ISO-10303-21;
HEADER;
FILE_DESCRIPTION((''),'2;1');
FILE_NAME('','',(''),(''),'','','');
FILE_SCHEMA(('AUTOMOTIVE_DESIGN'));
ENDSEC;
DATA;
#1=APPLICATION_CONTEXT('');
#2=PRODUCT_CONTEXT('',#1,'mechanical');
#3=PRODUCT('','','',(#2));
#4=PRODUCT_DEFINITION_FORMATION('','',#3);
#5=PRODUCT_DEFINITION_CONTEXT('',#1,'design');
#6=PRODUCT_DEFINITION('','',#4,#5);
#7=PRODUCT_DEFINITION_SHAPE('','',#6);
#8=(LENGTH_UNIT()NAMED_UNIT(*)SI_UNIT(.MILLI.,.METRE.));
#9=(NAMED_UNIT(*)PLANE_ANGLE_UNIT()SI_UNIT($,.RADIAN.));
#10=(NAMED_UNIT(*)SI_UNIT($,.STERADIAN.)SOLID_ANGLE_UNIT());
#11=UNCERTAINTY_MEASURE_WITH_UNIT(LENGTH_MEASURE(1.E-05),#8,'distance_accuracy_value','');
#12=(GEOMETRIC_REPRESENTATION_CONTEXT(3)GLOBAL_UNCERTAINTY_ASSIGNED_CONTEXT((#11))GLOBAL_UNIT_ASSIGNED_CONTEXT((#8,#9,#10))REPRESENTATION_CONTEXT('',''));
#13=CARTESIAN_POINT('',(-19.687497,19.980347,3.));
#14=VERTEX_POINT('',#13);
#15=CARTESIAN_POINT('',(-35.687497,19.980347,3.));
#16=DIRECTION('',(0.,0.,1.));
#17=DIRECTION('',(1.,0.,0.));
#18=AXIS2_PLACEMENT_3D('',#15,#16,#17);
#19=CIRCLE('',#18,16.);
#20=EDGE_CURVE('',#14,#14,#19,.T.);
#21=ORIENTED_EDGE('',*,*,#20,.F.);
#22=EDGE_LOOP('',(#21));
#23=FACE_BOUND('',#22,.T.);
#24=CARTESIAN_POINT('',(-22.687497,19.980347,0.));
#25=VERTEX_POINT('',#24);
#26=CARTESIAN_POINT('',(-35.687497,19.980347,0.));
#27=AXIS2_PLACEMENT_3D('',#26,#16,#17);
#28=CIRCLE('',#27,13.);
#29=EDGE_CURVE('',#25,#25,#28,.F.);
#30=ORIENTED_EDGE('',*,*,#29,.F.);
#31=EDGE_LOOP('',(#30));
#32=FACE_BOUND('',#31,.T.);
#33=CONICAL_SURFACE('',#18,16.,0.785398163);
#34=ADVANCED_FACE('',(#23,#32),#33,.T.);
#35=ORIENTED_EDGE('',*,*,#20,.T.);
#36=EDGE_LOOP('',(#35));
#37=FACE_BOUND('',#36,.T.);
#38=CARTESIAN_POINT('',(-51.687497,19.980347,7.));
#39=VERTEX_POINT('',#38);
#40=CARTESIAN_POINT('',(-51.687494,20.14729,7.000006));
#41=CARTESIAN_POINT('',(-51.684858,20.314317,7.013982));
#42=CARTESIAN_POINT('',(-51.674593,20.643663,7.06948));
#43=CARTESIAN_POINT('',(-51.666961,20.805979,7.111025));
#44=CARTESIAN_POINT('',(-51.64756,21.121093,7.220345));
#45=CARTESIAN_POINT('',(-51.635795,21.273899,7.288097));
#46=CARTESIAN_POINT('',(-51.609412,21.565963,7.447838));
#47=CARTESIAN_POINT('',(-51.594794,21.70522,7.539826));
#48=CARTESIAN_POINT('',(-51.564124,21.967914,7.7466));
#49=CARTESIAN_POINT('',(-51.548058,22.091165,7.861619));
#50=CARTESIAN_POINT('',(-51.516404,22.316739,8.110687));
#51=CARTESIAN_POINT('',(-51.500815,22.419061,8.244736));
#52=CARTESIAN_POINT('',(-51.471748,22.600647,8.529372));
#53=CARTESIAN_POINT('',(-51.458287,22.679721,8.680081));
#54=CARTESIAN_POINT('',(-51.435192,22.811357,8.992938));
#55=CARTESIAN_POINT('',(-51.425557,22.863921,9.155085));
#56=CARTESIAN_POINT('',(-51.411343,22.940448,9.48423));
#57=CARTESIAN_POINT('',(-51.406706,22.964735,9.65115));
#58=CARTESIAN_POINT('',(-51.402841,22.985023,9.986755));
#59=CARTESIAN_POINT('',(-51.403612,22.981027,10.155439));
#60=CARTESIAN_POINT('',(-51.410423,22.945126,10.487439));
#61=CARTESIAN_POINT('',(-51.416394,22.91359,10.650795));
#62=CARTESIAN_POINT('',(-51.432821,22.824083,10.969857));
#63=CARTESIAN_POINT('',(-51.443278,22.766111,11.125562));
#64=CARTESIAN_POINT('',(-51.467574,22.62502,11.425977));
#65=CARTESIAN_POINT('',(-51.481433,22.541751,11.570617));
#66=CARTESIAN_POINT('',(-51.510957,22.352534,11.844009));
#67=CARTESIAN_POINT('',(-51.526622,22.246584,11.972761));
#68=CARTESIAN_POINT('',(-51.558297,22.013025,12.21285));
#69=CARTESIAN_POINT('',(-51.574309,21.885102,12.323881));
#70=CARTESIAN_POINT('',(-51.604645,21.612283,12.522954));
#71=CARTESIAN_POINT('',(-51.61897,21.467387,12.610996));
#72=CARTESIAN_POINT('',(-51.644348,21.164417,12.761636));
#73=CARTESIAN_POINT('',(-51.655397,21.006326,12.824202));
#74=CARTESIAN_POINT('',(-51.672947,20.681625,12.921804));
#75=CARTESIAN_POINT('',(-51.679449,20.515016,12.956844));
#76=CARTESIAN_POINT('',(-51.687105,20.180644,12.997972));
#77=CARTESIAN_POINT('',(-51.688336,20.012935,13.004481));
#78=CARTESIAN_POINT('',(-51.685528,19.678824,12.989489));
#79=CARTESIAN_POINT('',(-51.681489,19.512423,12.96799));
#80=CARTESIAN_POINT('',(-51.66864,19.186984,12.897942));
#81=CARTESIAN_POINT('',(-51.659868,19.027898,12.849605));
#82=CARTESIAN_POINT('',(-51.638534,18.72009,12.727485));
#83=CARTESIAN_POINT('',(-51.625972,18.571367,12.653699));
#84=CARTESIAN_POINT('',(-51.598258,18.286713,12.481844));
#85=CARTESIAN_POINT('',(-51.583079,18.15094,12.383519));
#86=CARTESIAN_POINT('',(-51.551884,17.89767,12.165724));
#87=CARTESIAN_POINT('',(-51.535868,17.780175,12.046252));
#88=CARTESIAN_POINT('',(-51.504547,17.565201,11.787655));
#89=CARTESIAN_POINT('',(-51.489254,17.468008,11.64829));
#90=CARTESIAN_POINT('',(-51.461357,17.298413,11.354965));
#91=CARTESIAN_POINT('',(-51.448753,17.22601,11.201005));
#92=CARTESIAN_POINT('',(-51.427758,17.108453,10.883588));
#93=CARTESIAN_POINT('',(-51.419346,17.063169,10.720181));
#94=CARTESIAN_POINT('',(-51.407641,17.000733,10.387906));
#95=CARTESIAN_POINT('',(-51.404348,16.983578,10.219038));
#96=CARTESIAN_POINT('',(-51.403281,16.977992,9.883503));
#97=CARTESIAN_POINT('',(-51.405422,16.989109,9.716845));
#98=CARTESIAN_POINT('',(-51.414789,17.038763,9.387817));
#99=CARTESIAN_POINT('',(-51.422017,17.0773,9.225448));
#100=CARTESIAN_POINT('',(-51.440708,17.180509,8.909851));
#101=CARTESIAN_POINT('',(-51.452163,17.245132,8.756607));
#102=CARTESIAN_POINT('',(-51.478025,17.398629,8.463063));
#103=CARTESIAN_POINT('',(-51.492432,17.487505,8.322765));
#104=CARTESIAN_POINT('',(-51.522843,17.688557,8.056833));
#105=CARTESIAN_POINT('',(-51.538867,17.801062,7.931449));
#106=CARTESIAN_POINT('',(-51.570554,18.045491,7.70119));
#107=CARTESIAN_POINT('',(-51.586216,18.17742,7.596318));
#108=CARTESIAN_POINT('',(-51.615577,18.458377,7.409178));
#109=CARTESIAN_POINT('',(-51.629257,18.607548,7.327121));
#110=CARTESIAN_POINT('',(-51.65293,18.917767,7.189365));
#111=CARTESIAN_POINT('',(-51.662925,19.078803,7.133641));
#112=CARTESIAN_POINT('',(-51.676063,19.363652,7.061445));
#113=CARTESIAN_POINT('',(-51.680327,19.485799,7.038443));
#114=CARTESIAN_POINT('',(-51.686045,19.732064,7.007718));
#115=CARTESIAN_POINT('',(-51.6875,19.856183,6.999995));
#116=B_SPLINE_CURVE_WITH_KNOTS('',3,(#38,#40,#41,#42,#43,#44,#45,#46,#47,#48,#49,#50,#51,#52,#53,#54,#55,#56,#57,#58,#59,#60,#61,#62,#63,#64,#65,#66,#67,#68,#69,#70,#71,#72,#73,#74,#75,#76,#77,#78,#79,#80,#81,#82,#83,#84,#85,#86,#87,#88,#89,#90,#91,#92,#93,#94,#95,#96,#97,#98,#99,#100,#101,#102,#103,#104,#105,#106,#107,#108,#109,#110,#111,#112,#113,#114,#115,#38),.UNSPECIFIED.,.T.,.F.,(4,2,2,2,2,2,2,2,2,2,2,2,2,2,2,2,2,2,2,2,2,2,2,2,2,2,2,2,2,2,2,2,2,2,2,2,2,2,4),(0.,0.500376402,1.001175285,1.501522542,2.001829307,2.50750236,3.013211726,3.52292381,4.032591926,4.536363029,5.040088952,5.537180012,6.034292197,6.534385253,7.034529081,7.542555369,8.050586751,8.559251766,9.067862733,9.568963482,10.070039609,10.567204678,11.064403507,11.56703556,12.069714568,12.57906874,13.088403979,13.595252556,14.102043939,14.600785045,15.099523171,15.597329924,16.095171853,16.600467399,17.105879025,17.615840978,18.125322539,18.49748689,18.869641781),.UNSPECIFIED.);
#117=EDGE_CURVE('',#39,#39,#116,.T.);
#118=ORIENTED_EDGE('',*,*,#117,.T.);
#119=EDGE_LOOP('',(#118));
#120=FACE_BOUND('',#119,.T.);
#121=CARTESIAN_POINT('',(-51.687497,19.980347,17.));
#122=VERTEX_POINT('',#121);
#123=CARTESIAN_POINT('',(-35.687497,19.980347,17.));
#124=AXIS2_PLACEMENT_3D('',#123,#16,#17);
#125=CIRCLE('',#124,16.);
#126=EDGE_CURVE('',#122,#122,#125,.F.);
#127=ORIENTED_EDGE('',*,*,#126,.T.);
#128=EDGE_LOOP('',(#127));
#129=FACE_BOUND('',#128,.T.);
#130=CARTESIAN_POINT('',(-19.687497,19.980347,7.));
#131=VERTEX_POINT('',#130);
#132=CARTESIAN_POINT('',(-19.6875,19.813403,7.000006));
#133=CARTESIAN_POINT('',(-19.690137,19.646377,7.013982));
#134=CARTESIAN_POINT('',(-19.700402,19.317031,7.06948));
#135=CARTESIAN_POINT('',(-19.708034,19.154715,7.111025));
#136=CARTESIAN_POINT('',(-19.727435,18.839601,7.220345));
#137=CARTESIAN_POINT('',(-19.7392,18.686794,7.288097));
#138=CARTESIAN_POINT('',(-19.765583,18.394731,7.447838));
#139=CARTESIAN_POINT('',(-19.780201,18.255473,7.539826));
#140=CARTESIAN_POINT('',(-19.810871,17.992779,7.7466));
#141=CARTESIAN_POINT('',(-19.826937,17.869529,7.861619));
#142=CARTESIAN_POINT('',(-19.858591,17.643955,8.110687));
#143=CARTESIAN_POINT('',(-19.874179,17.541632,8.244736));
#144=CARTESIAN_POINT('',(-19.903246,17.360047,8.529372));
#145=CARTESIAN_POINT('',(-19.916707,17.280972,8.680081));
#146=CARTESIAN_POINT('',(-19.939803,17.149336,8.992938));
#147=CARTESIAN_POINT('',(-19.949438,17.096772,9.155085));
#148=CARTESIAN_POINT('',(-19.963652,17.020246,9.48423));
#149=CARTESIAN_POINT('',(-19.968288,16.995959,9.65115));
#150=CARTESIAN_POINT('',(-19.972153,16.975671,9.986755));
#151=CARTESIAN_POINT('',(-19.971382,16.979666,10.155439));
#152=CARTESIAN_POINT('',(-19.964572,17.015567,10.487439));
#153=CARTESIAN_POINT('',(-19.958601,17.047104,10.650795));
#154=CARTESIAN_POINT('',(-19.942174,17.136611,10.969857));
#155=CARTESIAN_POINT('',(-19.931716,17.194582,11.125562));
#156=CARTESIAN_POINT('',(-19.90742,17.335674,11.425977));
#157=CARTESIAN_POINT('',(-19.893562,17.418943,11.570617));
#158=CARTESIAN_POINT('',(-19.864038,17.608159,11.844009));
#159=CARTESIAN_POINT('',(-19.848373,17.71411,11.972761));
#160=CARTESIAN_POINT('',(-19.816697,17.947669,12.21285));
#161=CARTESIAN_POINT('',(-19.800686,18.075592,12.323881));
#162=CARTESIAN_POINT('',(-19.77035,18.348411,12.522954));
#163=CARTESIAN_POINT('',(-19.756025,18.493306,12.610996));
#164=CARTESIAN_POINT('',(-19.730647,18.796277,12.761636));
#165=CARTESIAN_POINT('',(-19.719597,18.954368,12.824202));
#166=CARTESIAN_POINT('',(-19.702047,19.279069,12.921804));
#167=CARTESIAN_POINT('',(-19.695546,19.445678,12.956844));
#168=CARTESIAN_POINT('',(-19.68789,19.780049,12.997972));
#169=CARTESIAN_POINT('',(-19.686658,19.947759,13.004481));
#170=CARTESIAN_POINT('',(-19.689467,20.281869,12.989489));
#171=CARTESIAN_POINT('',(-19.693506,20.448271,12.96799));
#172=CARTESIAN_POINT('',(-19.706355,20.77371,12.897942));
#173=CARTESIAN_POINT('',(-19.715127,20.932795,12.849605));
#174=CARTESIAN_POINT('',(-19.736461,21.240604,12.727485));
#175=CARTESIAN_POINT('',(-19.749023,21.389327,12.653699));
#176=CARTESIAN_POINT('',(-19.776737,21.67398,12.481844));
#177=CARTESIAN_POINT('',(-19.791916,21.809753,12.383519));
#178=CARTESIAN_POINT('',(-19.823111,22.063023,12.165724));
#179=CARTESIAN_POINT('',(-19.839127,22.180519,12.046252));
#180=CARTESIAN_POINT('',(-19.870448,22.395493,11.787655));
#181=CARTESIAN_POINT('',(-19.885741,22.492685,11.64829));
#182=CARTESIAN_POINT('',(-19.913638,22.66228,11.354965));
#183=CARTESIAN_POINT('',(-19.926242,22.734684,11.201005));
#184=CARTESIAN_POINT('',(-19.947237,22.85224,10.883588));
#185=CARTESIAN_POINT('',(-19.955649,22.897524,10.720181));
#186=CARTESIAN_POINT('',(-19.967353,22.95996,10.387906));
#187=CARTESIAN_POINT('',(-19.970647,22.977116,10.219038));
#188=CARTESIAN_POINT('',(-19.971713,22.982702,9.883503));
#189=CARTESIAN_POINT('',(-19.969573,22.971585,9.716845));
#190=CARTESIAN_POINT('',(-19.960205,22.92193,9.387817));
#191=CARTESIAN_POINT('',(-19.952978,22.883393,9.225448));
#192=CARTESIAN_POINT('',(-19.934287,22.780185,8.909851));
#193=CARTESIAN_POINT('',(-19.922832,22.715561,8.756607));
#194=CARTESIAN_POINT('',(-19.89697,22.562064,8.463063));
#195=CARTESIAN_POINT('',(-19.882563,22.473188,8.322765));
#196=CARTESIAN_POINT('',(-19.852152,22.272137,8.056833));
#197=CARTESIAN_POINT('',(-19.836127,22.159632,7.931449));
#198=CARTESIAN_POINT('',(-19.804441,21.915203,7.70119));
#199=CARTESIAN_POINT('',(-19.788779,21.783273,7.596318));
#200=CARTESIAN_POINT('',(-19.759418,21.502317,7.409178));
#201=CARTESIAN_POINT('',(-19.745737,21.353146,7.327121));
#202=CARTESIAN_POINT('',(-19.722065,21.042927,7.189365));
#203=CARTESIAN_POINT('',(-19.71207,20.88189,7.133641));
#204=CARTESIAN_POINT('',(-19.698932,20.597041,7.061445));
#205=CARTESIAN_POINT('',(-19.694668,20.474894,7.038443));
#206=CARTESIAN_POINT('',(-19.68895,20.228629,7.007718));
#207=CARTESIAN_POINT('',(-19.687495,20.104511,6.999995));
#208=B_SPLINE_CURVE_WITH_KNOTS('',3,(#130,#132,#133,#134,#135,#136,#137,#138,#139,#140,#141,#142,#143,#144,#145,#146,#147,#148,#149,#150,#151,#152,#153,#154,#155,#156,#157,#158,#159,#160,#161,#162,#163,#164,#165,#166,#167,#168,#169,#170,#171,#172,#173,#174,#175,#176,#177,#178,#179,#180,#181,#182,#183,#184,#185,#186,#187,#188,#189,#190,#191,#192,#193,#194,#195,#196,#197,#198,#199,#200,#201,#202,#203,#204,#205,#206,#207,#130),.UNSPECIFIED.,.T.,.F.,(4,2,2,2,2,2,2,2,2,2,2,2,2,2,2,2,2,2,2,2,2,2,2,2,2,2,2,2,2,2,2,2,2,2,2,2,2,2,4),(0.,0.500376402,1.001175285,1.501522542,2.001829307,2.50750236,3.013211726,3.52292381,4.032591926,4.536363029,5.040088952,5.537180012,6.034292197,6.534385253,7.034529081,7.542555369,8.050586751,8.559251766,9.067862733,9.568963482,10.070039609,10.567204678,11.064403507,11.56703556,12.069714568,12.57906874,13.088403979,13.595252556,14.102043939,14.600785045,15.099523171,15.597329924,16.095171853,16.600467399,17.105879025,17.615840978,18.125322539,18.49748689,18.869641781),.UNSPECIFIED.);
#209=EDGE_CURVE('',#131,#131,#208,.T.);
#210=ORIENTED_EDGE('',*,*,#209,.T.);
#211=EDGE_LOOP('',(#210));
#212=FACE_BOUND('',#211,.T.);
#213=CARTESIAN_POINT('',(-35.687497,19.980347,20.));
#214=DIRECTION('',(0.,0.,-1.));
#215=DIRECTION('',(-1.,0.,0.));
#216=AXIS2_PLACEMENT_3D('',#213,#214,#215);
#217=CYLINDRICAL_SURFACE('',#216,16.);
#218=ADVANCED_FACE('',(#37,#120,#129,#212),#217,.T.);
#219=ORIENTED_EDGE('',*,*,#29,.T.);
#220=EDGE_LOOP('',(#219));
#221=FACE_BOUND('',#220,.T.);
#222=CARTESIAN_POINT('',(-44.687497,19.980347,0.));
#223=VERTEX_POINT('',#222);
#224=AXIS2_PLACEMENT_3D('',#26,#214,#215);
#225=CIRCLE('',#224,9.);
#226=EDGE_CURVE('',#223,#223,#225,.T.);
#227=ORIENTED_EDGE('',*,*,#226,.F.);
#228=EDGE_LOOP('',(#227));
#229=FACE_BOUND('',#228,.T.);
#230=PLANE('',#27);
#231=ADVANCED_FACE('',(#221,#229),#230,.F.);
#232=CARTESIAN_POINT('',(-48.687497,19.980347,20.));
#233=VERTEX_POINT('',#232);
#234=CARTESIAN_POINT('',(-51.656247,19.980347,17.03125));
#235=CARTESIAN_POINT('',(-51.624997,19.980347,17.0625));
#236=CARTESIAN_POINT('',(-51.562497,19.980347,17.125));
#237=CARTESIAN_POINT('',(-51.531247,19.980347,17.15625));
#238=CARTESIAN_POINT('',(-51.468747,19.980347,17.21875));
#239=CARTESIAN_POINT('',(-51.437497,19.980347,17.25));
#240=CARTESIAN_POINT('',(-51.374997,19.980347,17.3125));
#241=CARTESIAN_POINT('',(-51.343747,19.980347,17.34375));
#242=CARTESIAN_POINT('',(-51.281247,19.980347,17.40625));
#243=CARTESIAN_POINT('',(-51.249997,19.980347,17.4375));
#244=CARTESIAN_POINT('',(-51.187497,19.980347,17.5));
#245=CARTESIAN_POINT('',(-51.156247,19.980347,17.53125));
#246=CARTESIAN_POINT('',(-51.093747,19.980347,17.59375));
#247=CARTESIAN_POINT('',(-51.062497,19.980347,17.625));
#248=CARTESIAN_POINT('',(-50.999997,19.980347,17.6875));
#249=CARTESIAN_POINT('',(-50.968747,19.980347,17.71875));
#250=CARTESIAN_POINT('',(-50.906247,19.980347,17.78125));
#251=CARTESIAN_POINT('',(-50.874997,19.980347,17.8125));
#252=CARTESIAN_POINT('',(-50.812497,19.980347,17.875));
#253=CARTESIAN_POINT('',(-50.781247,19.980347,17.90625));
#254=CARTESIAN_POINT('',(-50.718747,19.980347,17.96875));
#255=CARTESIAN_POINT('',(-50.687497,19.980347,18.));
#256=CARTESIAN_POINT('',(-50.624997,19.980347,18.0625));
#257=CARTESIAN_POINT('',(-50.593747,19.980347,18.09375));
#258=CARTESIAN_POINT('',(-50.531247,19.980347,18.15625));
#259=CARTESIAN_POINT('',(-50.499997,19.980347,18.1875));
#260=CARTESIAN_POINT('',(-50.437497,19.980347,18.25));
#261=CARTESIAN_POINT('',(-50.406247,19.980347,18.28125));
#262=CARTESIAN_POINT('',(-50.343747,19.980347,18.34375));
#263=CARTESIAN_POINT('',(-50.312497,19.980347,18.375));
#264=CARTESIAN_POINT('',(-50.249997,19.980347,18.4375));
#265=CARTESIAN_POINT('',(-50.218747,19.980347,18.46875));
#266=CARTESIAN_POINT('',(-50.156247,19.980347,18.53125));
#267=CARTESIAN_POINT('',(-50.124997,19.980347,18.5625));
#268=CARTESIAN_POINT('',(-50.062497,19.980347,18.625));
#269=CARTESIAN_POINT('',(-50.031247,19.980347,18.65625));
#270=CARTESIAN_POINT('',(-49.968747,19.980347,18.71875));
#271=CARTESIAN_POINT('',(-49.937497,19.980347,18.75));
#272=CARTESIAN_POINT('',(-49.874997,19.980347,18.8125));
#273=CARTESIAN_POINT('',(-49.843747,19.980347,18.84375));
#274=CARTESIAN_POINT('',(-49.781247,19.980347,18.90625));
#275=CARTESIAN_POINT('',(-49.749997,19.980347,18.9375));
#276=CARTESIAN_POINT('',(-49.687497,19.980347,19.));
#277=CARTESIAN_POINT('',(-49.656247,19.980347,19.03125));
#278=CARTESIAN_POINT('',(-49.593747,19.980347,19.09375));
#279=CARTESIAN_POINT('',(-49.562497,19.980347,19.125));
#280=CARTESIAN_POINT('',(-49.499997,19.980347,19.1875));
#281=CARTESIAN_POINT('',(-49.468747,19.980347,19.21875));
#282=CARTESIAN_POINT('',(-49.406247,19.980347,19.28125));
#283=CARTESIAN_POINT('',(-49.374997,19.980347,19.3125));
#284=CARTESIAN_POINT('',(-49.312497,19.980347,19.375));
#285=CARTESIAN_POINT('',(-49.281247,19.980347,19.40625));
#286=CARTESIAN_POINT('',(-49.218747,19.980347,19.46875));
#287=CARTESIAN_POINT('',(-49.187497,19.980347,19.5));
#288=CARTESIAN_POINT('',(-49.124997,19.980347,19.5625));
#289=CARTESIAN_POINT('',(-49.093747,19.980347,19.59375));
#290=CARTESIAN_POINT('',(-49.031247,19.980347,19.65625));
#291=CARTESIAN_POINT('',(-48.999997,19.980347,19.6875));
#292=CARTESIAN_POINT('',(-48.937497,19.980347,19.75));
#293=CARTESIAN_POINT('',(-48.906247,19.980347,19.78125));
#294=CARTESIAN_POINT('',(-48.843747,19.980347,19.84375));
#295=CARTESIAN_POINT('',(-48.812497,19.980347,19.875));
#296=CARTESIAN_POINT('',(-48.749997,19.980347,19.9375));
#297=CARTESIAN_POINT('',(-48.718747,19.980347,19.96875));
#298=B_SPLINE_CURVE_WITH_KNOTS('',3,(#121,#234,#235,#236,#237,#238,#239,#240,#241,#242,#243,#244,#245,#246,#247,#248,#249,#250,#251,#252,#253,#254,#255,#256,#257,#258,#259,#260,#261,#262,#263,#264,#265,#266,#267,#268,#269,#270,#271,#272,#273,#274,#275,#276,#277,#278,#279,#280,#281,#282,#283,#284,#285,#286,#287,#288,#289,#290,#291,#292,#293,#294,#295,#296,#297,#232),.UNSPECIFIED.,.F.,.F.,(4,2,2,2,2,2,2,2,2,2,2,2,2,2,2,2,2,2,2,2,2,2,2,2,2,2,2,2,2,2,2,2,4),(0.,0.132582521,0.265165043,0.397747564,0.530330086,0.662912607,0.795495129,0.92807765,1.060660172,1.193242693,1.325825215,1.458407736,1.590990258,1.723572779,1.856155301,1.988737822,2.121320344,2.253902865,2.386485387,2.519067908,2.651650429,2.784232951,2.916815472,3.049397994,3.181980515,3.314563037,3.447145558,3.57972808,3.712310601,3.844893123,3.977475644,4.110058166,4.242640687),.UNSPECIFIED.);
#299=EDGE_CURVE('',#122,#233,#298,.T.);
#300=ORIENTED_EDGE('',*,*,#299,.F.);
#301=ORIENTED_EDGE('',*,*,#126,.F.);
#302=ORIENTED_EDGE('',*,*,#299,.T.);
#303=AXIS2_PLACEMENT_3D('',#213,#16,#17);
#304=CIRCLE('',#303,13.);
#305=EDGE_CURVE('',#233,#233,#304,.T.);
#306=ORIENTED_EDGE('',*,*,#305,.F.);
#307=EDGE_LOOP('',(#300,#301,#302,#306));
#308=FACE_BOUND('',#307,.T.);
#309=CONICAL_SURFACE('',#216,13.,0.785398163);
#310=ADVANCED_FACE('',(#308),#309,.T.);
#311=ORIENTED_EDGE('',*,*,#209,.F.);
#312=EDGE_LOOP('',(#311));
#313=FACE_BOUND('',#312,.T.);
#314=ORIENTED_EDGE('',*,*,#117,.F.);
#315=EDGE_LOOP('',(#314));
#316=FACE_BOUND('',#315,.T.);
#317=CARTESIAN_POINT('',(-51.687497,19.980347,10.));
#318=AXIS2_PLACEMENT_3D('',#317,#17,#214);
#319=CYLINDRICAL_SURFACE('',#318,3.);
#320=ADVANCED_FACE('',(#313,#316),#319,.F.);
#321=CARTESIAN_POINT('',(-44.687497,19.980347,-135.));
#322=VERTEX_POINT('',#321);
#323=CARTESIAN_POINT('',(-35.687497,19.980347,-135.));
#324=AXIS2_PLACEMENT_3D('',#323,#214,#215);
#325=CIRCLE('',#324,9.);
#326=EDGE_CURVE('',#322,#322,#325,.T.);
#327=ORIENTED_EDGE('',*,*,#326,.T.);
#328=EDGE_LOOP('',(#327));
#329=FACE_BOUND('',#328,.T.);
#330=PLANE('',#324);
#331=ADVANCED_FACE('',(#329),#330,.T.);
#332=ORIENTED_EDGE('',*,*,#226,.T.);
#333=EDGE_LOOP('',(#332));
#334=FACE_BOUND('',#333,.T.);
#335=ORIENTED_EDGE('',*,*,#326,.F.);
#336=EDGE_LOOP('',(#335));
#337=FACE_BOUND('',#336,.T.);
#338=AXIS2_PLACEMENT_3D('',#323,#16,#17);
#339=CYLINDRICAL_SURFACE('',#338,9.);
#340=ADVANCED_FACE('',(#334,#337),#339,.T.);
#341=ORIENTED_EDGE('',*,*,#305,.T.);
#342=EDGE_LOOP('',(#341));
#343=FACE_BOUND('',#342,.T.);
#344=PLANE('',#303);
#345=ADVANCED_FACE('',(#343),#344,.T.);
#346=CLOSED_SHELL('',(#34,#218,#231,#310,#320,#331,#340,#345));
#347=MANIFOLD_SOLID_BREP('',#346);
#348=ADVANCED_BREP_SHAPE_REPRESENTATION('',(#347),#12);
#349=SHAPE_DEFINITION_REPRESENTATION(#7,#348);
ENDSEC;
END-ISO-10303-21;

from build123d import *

# Parameters (mm, degrees)
IZIM1_R                     = 16
Y_KSEKLIK_EKSTR_ZYON1_DEPTH = 20
PAH2_SIZE                   = 3
PAH3_SIZE                   = 3
IZIM2_R                     = 9
Y_KSEKLIK_EKSTR_ZYON2_DEPTH = 135
IZIM3_R                     = 3
KES_EKSTR_ZYON1_DEPTH       = 149.967052528


with BuildPart() as part:
    # Çizim1 → Yükseklik-Ekstrüzyon1 (new body)
    with BuildSketch(Plane.XY):
        with Locations((-35.687497372, 19.980346779)):
            Circle(IZIM1_R)
    extrude(amount=Y_KSEKLIK_EKSTR_ZYON1_DEPTH)

    # Pah2
    pah2_edges = [part.edges().sort_by_distance(p)[0] for p in [
        (-51.687497372, 19.980346779, 20),
    ]]
    chamfer(pah2_edges, length=PAH2_SIZE)

    # Pah3
    pah3_edges = [part.edges().sort_by_distance(p)[0] for p in [
        (-51.687497372, 19.980346779, 0),
    ]]
    chamfer(pah3_edges, length=PAH3_SIZE)

    # Çizim2 → Yükseklik-Ekstrüzyon2 (add)
    with BuildSketch(Plane(origin=(0, 0, 0), x_dir=(-1, 0, 0), z_dir=(0, 0, -1))):
        with Locations((35.687497372, 19.980346779)):
            Circle(IZIM2_R)
    extrude(amount=Y_KSEKLIK_EKSTR_ZYON2_DEPTH)

    # Çizim3 → Kes-Ekstrüzyon1 (cut, through all)
    with BuildSketch(Plane(origin=(0, 0, 0), x_dir=(0, 0, -1), z_dir=(1, 0, 0))):
        with Locations((-10, 19.980346779)):
            Circle(IZIM3_R)
    extrude(amount=-KES_EKSTR_ZYON1_DEPTH, mode=Mode.SUBTRACT)


solid = part.part
